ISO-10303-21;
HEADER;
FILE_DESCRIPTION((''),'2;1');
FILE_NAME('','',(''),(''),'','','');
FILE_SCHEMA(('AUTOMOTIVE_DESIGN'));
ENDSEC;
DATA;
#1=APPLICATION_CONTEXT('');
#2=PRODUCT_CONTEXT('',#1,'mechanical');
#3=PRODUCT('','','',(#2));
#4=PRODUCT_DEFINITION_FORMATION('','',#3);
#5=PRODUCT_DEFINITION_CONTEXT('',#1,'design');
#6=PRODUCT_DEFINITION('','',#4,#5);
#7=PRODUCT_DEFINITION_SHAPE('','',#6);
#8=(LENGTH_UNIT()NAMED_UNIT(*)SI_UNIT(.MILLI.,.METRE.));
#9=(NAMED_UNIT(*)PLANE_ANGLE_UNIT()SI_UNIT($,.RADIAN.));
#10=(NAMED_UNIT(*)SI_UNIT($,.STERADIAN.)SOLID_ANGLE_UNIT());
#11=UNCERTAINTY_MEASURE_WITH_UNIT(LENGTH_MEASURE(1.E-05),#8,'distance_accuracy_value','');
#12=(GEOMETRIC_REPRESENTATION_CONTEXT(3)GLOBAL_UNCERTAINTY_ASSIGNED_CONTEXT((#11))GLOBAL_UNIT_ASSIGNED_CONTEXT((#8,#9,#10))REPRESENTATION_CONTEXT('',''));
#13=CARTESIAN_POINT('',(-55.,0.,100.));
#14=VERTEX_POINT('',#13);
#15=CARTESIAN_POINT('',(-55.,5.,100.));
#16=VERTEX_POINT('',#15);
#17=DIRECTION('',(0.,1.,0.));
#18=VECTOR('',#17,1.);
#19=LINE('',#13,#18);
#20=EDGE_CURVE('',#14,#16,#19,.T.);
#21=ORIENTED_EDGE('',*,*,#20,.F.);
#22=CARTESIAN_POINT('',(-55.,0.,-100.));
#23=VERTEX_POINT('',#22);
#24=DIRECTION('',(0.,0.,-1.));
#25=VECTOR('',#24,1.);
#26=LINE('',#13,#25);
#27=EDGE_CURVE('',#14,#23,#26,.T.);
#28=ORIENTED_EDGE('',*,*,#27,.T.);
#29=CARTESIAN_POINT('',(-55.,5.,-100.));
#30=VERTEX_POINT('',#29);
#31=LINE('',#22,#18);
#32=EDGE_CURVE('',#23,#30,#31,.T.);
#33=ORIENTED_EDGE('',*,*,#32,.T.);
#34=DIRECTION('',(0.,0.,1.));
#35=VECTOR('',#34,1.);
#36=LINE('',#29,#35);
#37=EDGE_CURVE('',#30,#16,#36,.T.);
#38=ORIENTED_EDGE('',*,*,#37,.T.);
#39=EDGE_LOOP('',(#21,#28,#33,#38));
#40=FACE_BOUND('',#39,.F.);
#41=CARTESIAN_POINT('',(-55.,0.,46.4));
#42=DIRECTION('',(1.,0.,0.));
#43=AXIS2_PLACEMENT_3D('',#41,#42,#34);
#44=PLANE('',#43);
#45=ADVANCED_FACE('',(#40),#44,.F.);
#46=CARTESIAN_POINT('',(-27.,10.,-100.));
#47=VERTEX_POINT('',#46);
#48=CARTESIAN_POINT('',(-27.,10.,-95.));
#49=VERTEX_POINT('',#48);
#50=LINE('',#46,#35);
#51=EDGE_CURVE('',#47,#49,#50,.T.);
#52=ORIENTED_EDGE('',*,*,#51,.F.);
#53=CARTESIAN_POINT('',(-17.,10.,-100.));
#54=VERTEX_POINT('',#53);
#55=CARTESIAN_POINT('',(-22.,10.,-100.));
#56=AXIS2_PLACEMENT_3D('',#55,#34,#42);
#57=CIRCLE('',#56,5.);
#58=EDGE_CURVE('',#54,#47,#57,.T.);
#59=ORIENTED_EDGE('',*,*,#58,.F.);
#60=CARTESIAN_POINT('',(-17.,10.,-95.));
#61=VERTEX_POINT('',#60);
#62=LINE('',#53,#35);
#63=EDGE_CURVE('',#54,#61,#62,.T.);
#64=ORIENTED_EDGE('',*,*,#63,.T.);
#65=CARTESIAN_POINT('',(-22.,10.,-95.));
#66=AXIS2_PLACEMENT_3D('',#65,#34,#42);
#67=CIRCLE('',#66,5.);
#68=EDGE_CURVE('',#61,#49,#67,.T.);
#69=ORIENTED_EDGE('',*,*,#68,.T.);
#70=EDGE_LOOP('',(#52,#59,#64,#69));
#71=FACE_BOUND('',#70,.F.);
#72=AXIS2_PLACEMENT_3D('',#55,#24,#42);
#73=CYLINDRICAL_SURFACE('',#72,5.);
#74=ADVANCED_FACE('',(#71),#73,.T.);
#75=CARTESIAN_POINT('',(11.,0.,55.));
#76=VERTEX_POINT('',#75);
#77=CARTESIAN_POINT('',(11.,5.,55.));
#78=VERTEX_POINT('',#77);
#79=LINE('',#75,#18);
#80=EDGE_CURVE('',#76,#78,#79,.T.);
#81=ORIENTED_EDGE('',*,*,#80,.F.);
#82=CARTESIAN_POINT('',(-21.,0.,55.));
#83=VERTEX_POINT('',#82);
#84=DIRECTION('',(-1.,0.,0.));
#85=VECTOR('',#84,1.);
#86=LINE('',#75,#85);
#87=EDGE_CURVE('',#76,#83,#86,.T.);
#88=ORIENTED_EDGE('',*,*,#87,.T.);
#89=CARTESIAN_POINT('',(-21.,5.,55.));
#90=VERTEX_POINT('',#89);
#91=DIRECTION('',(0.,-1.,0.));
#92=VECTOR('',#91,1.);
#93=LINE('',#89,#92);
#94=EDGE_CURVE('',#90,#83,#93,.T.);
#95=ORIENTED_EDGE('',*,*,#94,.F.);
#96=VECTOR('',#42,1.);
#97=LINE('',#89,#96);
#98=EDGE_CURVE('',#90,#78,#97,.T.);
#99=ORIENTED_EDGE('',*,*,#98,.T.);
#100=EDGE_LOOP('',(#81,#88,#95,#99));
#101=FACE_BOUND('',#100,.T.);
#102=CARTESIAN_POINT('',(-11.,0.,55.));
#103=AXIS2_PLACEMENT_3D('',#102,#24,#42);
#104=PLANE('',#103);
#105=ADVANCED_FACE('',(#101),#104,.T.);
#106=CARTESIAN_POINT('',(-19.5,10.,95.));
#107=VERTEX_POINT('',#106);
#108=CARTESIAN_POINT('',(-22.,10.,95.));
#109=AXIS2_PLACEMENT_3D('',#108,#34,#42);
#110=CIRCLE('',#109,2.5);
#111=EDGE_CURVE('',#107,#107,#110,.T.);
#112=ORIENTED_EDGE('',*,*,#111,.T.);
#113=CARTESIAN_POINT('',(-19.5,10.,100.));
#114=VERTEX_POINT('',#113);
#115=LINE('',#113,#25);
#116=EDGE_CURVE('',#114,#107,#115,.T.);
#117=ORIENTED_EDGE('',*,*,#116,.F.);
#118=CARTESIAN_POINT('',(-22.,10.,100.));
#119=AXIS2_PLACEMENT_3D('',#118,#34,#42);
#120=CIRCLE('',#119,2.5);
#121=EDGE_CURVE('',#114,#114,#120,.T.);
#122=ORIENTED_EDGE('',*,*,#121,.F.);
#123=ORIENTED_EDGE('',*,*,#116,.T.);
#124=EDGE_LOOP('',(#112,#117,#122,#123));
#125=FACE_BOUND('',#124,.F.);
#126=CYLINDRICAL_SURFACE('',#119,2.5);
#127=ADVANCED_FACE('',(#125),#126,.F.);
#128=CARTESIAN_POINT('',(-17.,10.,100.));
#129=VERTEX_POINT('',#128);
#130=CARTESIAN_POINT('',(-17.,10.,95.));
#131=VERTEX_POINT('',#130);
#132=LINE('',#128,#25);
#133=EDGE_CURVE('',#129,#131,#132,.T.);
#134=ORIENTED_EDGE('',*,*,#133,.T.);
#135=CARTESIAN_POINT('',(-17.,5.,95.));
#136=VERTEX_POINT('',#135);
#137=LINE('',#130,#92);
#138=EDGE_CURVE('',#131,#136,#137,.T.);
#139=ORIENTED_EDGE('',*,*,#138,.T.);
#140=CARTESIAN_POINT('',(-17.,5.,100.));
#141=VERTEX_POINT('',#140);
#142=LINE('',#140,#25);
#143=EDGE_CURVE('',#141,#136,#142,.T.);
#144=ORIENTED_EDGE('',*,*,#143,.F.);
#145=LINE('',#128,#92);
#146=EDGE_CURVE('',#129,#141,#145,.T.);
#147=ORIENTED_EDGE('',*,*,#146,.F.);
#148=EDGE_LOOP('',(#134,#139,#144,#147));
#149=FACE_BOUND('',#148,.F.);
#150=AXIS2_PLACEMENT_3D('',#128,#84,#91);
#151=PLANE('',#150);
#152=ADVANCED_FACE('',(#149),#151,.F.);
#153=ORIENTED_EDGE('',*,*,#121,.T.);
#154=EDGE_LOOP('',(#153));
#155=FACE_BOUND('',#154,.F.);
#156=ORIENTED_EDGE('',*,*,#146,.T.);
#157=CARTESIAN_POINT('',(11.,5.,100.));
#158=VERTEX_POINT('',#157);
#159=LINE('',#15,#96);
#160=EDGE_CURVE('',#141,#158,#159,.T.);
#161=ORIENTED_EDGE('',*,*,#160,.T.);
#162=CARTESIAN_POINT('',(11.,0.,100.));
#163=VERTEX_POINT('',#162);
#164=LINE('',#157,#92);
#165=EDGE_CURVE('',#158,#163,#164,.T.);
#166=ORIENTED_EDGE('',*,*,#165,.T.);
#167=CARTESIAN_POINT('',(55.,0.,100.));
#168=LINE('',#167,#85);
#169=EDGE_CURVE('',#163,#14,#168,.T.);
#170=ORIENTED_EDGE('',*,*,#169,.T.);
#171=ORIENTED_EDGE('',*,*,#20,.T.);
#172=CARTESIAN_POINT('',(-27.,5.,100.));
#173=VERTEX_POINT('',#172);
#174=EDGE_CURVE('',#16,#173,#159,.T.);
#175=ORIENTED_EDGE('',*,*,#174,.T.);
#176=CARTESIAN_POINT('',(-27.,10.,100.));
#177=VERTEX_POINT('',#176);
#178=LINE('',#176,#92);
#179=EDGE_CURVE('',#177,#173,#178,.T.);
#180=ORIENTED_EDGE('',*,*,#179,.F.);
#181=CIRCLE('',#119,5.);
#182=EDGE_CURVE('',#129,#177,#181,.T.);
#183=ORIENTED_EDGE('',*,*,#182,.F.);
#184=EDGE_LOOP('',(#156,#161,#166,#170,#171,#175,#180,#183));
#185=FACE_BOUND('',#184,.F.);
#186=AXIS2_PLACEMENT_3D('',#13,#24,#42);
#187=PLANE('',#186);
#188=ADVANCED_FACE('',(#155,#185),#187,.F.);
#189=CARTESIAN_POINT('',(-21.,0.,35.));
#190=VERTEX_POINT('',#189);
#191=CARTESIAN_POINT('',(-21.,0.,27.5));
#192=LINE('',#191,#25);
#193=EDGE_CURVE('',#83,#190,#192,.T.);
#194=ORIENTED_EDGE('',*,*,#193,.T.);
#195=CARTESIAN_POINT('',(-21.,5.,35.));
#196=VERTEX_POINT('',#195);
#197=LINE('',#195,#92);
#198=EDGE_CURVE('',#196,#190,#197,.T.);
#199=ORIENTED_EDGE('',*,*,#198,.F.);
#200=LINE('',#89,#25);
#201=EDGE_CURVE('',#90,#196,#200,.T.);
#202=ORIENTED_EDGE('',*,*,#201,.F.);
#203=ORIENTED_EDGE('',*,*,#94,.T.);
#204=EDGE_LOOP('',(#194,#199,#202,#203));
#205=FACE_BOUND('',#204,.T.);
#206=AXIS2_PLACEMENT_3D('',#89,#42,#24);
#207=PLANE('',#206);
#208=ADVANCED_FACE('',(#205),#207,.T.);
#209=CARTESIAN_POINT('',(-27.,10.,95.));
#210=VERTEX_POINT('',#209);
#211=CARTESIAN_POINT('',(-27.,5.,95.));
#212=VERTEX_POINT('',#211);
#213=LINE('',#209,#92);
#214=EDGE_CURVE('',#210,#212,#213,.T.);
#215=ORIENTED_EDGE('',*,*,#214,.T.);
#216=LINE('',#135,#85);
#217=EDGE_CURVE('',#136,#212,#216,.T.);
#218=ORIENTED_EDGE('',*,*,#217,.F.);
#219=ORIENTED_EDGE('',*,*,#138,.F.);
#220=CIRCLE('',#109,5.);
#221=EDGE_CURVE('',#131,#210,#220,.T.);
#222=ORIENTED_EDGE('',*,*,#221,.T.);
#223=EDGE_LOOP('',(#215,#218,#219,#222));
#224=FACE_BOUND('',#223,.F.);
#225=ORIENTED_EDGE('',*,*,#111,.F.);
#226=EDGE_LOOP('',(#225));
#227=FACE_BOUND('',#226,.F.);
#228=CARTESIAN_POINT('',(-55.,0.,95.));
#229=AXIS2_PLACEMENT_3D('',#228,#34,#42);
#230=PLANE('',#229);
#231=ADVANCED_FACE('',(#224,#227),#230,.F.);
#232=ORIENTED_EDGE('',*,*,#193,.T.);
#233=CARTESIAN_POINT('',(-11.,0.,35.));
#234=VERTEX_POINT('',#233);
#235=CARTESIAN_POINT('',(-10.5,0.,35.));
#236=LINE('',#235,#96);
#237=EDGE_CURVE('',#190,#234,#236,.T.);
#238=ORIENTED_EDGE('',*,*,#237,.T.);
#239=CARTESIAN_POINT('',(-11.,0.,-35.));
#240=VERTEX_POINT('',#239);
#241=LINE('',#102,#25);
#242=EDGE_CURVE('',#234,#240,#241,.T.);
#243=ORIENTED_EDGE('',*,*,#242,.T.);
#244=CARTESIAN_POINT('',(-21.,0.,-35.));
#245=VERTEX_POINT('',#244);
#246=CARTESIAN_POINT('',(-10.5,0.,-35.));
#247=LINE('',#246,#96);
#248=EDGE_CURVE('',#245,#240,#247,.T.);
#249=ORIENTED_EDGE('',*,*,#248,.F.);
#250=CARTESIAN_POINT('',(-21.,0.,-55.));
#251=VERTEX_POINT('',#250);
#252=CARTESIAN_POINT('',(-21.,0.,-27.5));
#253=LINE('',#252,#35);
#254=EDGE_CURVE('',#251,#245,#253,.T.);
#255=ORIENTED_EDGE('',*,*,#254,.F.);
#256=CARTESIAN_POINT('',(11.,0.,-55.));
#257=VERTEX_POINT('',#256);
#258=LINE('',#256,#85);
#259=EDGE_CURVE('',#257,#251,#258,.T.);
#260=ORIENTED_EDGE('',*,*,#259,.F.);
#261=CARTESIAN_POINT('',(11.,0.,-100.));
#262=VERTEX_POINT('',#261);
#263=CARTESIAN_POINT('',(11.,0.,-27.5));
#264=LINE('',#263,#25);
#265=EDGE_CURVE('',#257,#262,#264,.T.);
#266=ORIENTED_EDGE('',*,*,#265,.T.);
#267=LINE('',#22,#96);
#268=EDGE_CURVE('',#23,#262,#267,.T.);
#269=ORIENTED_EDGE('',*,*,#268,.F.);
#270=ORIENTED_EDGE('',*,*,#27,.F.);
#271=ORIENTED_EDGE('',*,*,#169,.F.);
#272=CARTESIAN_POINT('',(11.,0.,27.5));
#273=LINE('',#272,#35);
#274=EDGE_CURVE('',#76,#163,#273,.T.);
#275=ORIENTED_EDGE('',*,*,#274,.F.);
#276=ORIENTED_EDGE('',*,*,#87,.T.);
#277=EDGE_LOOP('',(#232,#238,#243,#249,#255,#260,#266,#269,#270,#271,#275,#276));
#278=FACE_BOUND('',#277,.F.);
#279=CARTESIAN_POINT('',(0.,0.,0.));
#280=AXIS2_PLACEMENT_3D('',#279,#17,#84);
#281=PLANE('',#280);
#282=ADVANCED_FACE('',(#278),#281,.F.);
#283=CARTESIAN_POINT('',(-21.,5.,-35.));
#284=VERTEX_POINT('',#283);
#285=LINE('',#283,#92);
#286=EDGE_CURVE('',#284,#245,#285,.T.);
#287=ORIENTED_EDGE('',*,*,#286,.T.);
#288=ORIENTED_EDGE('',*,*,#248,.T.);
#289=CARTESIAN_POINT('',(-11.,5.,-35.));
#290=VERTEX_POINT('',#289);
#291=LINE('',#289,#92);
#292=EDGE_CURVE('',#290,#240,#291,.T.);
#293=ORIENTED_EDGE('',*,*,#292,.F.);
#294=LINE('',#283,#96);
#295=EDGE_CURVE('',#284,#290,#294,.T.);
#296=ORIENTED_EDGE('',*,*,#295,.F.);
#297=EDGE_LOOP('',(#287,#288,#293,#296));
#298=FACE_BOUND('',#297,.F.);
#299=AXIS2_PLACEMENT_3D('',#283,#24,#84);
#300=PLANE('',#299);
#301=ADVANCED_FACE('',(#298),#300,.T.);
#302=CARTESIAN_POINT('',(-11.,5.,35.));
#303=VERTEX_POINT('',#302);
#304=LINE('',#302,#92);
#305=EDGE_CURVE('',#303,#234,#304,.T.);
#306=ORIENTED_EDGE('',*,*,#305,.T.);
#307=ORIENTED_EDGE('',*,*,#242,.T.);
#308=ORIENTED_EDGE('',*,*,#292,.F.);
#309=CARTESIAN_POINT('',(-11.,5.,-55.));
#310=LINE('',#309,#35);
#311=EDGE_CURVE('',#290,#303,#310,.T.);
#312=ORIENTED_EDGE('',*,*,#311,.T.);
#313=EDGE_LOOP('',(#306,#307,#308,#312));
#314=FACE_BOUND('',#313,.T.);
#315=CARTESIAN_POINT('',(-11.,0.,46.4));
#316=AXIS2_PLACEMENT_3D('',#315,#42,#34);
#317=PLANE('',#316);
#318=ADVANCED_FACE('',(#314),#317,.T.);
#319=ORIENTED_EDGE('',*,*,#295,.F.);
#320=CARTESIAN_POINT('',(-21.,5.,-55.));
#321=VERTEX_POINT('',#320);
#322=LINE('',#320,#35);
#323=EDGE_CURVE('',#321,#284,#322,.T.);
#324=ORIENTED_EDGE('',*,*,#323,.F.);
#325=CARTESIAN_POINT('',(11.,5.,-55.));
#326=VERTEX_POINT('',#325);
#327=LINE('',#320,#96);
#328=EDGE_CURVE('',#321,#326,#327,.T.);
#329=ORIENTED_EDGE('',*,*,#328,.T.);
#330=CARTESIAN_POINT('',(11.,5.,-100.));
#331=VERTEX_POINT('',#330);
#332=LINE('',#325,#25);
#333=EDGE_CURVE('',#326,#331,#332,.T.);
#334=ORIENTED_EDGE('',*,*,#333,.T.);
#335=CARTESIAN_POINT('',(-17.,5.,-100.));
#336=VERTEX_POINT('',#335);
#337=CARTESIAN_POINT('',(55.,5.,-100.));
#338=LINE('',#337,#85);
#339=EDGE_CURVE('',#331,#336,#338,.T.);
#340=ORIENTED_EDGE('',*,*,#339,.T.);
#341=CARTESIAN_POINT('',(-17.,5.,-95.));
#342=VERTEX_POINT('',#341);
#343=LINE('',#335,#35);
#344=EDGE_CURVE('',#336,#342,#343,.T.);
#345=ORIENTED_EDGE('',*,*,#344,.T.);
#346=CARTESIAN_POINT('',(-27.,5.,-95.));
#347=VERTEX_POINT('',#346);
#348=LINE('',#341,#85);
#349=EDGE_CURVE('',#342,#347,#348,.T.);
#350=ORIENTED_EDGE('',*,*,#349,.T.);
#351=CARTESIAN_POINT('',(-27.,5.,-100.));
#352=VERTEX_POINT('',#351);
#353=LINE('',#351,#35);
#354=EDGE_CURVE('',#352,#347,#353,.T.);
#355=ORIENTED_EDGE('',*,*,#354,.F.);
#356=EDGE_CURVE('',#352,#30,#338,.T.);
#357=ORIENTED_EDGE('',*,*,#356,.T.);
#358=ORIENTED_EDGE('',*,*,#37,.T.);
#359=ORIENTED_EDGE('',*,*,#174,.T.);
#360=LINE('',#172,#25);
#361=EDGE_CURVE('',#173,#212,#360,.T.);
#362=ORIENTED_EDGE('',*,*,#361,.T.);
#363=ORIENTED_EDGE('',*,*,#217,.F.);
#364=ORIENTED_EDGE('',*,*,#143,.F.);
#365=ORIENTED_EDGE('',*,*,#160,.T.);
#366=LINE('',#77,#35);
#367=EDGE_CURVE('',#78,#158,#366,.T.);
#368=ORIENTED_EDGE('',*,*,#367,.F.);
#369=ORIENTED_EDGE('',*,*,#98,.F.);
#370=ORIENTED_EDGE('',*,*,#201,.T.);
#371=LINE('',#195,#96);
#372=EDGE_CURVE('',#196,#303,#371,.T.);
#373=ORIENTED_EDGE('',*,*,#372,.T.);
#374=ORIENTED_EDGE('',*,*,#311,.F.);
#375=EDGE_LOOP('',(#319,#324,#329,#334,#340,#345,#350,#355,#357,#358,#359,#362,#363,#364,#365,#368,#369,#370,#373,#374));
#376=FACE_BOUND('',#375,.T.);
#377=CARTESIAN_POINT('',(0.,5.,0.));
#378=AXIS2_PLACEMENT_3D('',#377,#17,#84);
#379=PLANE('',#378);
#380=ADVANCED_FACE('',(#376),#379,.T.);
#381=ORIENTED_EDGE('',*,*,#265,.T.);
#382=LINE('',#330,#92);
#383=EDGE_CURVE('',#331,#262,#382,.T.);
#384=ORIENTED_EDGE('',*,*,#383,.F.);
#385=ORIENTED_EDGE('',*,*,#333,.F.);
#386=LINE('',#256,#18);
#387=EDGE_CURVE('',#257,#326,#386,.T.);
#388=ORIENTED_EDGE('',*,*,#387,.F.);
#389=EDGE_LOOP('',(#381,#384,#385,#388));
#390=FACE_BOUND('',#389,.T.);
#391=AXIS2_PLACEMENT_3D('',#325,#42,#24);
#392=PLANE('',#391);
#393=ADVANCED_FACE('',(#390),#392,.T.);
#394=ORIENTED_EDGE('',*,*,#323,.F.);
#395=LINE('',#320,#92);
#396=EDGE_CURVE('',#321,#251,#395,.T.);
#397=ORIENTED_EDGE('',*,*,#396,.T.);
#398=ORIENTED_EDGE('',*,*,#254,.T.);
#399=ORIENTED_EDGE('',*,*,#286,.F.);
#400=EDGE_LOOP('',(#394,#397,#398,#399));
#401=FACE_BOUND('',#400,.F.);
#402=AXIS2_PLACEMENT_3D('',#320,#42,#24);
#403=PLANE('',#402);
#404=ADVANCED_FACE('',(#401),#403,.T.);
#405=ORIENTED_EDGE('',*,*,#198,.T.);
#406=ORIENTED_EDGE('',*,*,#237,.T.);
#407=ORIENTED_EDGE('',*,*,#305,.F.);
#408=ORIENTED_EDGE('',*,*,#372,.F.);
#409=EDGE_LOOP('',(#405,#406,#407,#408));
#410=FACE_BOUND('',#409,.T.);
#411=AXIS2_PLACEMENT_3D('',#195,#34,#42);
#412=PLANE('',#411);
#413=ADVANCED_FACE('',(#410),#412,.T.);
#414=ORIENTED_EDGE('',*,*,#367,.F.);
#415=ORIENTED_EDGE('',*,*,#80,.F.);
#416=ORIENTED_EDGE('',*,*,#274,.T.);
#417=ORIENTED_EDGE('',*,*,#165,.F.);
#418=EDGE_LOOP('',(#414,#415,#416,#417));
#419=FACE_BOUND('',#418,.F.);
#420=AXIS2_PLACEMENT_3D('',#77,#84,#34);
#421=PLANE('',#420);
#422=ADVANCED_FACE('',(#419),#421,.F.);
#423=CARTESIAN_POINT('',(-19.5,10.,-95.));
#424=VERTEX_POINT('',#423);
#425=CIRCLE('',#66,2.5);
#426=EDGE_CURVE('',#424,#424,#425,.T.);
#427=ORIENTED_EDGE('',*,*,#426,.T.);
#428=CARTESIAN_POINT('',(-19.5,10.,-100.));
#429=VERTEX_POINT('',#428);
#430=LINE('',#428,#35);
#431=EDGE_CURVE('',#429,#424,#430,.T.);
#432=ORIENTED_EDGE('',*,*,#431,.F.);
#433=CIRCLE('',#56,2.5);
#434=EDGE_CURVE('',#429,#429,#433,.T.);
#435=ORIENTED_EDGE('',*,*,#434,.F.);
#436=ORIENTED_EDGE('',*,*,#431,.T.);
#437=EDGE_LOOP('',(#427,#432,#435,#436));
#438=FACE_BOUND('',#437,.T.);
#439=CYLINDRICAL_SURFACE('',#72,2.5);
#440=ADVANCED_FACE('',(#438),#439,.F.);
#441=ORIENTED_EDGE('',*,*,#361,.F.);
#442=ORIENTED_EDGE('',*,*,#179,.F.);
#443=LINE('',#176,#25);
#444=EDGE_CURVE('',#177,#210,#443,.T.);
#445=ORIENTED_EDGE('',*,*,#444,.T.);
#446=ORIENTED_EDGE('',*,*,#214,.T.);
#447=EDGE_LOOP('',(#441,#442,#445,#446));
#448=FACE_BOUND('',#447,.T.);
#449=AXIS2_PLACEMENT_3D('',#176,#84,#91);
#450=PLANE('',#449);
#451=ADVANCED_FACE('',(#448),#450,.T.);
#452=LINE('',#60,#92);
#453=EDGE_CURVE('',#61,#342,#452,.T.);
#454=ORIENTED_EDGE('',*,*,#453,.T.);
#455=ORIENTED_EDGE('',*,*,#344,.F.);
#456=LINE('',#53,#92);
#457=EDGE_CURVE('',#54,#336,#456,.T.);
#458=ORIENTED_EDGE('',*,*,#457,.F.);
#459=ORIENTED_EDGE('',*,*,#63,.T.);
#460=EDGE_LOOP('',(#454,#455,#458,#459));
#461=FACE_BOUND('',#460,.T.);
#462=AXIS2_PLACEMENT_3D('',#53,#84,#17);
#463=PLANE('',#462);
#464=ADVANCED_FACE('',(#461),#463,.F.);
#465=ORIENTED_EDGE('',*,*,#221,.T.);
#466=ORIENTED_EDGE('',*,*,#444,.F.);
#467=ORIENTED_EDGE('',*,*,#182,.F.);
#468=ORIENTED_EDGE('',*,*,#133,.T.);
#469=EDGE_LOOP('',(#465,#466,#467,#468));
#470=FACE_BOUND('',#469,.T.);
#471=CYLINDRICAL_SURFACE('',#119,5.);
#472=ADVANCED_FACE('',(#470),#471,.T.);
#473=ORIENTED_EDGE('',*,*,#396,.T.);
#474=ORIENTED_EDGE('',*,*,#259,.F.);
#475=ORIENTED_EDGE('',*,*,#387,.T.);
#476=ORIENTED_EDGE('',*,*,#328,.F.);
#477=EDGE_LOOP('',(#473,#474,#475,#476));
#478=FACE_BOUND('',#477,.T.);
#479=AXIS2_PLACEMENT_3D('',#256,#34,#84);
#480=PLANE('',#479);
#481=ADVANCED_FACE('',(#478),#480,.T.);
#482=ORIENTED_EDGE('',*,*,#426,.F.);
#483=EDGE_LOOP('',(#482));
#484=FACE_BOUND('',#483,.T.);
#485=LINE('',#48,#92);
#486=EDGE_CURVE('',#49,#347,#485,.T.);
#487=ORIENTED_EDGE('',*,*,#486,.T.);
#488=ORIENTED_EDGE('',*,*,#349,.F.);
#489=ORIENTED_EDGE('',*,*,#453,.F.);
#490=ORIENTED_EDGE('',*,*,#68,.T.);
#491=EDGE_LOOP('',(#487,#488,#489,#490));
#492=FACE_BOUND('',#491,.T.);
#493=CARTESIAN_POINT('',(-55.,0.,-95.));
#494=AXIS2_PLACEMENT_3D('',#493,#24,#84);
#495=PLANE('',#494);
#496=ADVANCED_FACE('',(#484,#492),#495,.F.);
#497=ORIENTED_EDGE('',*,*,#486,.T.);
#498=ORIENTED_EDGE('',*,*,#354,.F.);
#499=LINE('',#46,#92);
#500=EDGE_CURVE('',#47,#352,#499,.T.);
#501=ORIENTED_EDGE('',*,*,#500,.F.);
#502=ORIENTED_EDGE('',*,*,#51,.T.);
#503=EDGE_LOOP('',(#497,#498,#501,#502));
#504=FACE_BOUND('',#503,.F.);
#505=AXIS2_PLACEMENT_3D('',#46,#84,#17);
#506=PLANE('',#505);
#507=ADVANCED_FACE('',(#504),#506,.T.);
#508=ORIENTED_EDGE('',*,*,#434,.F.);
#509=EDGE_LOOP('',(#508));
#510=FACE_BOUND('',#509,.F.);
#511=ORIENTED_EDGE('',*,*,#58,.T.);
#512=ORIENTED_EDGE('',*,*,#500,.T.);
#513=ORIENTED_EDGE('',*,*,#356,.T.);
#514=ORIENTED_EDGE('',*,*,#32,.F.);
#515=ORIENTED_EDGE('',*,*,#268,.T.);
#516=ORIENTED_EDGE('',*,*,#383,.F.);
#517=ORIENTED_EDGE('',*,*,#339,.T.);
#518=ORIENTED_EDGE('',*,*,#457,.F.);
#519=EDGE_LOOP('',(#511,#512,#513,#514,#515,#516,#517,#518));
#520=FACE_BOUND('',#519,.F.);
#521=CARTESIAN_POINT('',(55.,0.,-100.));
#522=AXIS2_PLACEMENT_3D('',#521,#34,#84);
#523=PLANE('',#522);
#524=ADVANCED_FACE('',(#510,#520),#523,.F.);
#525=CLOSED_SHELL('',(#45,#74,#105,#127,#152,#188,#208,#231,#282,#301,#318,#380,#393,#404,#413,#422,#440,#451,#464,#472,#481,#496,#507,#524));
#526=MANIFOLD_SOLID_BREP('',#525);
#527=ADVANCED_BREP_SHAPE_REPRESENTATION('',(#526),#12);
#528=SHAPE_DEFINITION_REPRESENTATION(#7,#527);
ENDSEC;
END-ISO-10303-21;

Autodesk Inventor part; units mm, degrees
ref_plane "YZ Plane" through (0, 0, 0) normal (1, 0, 0) x (0, 1, 0)
ref_plane "XZ Plane" through (0, 0, 0) normal (0, 1, 0) x (-1, 0, 0)
sketch "Sketch1" plane through (0, 0, 0) normal (0, 1, 0) x (-1, 0, 0)
  line L0 (11, 55) -> (-11, 55)
  line L1 (-11, 55) -> (-11, -55)
  line L2 (-11, -55) -> (11, -55)
  line L3 (11, -55) -> (11, 55)
  line L4 (11, 55) -> (-11, -55) construction
  line L5 (-11, 55) -> (11, -55) construction
  line L6 (55, 100) -> (-55, 100)
  line L7 (-55, 100) -> (-55, -100)
  line L8 (-55, -100) -> (55, -100)
  line L9 (55, -100) -> (55, 100)
  line L10 (55, 100) -> (-55, -100) construction
  line L11 (-55, 100) -> (55, -100) construction
  line L12 (55, 100) -> (7.4, 100)
  line L13 (7.4, 100) -> (7.4, 46.4)
  line L14 (7.4, 46.4) -> (55, 46.4)
  line L15 (55, 46.4) -> (55, 100)
  line L16 (55, 0) -> (11, 0)
  circle A0 centre (33, 0) radius 4
  line L17 (-11, -55) -> (-11, -100)
  circle A1 centre (0, -75) radius 5
  point P0 (0, 0)
  dimension "d0" = 22
  dimension "d1" = 110
  dimension "d2" = 200
  dimension "d3" = 110
  dimension "d6" = 53.6
  dimension "d7" = 47.6
  dimension "d12" = 8
  dimension "d17" = 10
  dimension "d20" = 20
extrude "Extrusion1" add sketch "Sketch1" along normal blind 5 contours L0 L13 L6 L9 L14 L3 | L0 L1 L17 L8 L7 L6 L13 | L14 L9 L16 A0 L3 | L16 A0 L9 L8 L17 L2 L3 | A0 L16 | L16 A0 | A1
sketch "Sketch3" plane through (0, 5, 0) normal (0, 1, 0) x (1, 0, 0)
  line L0 (11, 55) -> (11, -55) projected
  line L1 (11, -55) -> (11, -100)
  line L2 (-55, -100) -> (55, -100) projected
  line L3 (-11, 55) -> (11, 55) projected
  line L4 (11, 55) -> (11, 100)
  line L5 (55, 100) -> (-55, 100) projected
  line L6 (55, -100) -> (55, 100) projected
  point P0 (0, 0)
extrude "Extrusion3" cut sketch "Sketch3" against normal through all
sketch "Sketch4" plane through (0, 5, 0) normal (0, 1, 0) x (1, 0, 0)
  line L0 (-11, -55) -> (-11, 55) projected
  line L1 (-11, -55) -> (-21, -55)
  line L2 (-21, -55) -> (-21, -35)
  line L3 (-21, -35) -> (-11, -35)
  point P0 (0, 0)
  dimension "d21" = 10
  dimension "d22" = 20
extrude "Extrusion6" cut sketch "Sketch4" against normal through all
mirror "Mirror1" about plane through (0, 0, 0) normal (0, 0, 1) of "Extrusion6"
sketch "Sketch5" plane through (-55, 0, 100) normal (0, 0, 1) x (1, 0, 0)
  circle A0 centre (33, 10) radius 2.5
  circle A1 centre (33, 10) radius 5
  line L0 (66, 0) -> (66, 5) projected
  line L1 (0, 5) -> (66, 5) projected
  line L2 (0, 0) -> (0, 5) projected
  line L3 (0, 0) -> (66, 0) projected
  line L4 (0, 5) -> (66, 5) projected
  line L5 (38, 10) -> (38, 5)
  line L6 (66, 5) -> (0, 5) projected
  line L7 (33, 0) -> (33, 5)
  line L8 (28, 10) -> (28, 5)
  point P0 (55, 0)
  point P1 (38, 5)
  point P2 (33, 5)
  point P3 (28, 5)
  dimension "d25" = 5
  dimension "d26" = 10
extrude "Extrusion7" add sketch "Sketch5" against normal blind 5 contours A1 | L5 L1 A1 | A1 L1 L8
ref_plane "Work Plane2" through (-55, 0, 0) normal (0, 0, 1) x (1, 0, 0)
mirror "Mirror4" about plane through (-55, 0, 0) normal (0, 0, 1) of "Extrusion7"
properties part number "FP V2 Mounting Claw"
